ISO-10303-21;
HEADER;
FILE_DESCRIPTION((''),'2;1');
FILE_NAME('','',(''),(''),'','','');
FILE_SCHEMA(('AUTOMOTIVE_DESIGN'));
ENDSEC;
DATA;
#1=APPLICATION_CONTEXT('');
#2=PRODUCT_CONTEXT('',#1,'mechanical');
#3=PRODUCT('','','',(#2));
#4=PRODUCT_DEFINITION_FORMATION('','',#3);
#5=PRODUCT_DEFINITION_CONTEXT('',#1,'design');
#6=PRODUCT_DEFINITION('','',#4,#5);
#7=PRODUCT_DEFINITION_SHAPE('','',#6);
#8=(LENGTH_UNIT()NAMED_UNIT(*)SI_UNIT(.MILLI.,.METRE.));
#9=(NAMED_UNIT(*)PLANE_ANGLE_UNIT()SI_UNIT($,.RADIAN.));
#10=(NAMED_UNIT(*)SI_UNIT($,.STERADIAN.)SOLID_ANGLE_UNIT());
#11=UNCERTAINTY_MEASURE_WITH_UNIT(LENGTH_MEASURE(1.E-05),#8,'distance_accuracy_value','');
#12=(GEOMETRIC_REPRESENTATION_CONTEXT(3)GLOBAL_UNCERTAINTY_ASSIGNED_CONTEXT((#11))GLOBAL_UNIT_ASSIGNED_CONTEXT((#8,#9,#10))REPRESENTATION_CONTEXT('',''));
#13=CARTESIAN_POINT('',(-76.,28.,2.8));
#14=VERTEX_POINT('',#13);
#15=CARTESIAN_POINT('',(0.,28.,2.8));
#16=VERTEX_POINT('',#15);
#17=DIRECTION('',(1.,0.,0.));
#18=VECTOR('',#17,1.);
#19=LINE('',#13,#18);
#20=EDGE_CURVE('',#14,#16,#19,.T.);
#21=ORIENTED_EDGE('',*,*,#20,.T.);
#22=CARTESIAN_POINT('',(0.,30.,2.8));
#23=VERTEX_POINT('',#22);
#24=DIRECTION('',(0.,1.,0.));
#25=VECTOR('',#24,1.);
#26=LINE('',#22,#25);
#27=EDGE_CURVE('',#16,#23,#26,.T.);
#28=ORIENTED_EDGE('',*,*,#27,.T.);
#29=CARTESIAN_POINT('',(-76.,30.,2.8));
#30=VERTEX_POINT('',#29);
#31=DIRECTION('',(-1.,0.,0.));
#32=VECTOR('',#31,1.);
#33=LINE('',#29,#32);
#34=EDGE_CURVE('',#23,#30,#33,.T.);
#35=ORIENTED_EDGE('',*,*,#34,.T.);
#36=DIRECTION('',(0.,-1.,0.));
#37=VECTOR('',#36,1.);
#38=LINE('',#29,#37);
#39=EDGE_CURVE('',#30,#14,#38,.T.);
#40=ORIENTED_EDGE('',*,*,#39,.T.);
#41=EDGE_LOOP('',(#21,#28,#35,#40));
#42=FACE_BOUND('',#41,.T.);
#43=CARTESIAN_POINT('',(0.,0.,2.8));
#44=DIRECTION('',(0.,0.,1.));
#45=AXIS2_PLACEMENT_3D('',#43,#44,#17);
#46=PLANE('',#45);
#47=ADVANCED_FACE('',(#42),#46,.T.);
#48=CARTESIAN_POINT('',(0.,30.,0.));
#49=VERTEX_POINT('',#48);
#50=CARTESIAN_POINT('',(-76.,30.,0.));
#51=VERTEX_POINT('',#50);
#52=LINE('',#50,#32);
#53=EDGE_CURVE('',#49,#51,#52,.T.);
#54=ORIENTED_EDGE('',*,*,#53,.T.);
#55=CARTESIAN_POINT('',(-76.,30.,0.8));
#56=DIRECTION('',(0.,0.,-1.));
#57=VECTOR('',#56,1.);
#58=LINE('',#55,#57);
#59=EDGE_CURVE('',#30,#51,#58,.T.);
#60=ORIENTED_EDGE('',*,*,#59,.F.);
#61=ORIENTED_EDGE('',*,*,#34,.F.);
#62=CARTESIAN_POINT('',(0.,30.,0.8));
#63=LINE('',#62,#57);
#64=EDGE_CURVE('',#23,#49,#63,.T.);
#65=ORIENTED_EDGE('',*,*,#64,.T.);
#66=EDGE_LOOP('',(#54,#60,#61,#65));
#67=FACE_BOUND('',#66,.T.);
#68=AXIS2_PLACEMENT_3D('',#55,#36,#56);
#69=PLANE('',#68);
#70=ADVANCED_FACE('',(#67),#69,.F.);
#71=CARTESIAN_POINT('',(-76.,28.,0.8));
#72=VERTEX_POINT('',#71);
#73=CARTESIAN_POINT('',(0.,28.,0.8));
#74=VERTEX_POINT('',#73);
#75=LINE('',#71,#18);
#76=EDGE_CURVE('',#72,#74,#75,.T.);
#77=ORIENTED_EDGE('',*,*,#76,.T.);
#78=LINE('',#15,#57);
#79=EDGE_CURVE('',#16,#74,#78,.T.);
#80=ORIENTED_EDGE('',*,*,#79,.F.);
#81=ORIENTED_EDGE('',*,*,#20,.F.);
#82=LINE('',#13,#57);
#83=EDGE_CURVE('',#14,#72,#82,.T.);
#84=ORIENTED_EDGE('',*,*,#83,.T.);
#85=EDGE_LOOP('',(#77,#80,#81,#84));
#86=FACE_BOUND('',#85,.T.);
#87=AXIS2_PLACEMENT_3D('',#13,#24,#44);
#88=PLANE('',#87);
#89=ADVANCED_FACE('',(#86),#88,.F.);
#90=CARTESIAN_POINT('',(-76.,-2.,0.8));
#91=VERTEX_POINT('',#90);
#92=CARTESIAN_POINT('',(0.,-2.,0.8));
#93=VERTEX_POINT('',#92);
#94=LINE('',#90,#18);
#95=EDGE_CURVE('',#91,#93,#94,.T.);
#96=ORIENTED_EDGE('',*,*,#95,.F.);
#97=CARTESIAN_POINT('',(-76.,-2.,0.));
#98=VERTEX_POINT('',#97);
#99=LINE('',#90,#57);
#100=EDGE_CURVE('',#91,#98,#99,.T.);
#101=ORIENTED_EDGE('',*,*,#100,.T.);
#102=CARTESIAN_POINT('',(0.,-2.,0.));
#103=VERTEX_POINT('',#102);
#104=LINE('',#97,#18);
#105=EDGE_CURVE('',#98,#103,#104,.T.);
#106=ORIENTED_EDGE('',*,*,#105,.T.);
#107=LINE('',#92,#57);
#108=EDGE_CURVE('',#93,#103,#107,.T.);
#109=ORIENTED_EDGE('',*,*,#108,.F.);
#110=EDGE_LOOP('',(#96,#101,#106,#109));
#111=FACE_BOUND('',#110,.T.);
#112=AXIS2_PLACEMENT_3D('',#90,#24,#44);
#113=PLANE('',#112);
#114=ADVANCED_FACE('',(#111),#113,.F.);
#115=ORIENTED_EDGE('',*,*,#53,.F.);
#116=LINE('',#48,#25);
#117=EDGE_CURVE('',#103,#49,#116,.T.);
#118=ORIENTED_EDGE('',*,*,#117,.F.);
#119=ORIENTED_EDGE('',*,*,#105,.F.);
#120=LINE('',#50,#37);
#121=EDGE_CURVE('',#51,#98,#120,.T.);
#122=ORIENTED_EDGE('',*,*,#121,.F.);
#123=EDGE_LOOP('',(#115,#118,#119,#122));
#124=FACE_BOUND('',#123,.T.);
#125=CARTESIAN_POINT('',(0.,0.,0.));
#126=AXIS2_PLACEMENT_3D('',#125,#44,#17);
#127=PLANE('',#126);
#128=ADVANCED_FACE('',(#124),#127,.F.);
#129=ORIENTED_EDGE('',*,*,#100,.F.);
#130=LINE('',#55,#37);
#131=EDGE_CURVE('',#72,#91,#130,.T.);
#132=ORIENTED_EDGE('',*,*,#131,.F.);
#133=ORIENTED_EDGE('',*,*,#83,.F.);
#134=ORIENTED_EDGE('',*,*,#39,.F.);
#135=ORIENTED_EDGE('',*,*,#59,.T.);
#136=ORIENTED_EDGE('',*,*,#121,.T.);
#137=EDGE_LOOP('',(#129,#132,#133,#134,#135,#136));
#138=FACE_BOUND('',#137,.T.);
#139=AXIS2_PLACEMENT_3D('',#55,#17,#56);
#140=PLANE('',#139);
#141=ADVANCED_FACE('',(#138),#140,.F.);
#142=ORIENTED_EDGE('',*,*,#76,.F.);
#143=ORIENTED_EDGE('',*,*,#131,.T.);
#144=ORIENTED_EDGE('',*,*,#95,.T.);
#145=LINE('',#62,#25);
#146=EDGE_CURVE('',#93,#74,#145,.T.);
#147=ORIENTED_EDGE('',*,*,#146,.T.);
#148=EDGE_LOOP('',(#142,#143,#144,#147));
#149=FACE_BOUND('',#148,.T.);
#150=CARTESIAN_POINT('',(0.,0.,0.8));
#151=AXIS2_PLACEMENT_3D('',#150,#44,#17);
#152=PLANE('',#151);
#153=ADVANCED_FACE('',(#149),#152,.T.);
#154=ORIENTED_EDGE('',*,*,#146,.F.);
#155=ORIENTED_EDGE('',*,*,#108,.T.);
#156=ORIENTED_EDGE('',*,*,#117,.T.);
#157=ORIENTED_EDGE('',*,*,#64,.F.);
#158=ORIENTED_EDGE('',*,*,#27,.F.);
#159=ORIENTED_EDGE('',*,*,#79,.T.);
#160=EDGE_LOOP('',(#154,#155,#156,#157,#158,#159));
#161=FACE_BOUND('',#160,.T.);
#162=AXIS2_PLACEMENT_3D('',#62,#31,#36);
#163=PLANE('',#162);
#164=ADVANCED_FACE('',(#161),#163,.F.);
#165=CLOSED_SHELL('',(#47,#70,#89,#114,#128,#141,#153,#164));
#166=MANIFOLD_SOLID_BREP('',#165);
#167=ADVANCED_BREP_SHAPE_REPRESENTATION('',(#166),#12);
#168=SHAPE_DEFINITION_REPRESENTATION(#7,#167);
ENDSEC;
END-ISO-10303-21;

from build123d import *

# Parameters (mm, degrees)
CROQUIS1_W              = 76
CROQUIS1_H              = 32
SALIENTE_EXTRUIR1_DEPTH = 0.8
CROQUIS3_W              = 76
CROQUIS3_H              = 2
SALIENTE_EXTRUIR2_DEPTH = 2


with BuildPart() as part:
    # Croquis1 → Saliente-Extruir1 (new body)
    with BuildSketch(Plane.XY):
        with Locations((-38, 14)):
            Rectangle(CROQUIS1_W, CROQUIS1_H)
    extrude(amount=SALIENTE_EXTRUIR1_DEPTH)

    # Croquis3 → Saliente-Extruir2 (add)
    with BuildSketch(Plane.XY.offset(0.8)):
        with Locations((-38, 29)):
            Rectangle(CROQUIS3_W, CROQUIS3_H)
    extrude(amount=SALIENTE_EXTRUIR2_DEPTH)


solid = part.part
